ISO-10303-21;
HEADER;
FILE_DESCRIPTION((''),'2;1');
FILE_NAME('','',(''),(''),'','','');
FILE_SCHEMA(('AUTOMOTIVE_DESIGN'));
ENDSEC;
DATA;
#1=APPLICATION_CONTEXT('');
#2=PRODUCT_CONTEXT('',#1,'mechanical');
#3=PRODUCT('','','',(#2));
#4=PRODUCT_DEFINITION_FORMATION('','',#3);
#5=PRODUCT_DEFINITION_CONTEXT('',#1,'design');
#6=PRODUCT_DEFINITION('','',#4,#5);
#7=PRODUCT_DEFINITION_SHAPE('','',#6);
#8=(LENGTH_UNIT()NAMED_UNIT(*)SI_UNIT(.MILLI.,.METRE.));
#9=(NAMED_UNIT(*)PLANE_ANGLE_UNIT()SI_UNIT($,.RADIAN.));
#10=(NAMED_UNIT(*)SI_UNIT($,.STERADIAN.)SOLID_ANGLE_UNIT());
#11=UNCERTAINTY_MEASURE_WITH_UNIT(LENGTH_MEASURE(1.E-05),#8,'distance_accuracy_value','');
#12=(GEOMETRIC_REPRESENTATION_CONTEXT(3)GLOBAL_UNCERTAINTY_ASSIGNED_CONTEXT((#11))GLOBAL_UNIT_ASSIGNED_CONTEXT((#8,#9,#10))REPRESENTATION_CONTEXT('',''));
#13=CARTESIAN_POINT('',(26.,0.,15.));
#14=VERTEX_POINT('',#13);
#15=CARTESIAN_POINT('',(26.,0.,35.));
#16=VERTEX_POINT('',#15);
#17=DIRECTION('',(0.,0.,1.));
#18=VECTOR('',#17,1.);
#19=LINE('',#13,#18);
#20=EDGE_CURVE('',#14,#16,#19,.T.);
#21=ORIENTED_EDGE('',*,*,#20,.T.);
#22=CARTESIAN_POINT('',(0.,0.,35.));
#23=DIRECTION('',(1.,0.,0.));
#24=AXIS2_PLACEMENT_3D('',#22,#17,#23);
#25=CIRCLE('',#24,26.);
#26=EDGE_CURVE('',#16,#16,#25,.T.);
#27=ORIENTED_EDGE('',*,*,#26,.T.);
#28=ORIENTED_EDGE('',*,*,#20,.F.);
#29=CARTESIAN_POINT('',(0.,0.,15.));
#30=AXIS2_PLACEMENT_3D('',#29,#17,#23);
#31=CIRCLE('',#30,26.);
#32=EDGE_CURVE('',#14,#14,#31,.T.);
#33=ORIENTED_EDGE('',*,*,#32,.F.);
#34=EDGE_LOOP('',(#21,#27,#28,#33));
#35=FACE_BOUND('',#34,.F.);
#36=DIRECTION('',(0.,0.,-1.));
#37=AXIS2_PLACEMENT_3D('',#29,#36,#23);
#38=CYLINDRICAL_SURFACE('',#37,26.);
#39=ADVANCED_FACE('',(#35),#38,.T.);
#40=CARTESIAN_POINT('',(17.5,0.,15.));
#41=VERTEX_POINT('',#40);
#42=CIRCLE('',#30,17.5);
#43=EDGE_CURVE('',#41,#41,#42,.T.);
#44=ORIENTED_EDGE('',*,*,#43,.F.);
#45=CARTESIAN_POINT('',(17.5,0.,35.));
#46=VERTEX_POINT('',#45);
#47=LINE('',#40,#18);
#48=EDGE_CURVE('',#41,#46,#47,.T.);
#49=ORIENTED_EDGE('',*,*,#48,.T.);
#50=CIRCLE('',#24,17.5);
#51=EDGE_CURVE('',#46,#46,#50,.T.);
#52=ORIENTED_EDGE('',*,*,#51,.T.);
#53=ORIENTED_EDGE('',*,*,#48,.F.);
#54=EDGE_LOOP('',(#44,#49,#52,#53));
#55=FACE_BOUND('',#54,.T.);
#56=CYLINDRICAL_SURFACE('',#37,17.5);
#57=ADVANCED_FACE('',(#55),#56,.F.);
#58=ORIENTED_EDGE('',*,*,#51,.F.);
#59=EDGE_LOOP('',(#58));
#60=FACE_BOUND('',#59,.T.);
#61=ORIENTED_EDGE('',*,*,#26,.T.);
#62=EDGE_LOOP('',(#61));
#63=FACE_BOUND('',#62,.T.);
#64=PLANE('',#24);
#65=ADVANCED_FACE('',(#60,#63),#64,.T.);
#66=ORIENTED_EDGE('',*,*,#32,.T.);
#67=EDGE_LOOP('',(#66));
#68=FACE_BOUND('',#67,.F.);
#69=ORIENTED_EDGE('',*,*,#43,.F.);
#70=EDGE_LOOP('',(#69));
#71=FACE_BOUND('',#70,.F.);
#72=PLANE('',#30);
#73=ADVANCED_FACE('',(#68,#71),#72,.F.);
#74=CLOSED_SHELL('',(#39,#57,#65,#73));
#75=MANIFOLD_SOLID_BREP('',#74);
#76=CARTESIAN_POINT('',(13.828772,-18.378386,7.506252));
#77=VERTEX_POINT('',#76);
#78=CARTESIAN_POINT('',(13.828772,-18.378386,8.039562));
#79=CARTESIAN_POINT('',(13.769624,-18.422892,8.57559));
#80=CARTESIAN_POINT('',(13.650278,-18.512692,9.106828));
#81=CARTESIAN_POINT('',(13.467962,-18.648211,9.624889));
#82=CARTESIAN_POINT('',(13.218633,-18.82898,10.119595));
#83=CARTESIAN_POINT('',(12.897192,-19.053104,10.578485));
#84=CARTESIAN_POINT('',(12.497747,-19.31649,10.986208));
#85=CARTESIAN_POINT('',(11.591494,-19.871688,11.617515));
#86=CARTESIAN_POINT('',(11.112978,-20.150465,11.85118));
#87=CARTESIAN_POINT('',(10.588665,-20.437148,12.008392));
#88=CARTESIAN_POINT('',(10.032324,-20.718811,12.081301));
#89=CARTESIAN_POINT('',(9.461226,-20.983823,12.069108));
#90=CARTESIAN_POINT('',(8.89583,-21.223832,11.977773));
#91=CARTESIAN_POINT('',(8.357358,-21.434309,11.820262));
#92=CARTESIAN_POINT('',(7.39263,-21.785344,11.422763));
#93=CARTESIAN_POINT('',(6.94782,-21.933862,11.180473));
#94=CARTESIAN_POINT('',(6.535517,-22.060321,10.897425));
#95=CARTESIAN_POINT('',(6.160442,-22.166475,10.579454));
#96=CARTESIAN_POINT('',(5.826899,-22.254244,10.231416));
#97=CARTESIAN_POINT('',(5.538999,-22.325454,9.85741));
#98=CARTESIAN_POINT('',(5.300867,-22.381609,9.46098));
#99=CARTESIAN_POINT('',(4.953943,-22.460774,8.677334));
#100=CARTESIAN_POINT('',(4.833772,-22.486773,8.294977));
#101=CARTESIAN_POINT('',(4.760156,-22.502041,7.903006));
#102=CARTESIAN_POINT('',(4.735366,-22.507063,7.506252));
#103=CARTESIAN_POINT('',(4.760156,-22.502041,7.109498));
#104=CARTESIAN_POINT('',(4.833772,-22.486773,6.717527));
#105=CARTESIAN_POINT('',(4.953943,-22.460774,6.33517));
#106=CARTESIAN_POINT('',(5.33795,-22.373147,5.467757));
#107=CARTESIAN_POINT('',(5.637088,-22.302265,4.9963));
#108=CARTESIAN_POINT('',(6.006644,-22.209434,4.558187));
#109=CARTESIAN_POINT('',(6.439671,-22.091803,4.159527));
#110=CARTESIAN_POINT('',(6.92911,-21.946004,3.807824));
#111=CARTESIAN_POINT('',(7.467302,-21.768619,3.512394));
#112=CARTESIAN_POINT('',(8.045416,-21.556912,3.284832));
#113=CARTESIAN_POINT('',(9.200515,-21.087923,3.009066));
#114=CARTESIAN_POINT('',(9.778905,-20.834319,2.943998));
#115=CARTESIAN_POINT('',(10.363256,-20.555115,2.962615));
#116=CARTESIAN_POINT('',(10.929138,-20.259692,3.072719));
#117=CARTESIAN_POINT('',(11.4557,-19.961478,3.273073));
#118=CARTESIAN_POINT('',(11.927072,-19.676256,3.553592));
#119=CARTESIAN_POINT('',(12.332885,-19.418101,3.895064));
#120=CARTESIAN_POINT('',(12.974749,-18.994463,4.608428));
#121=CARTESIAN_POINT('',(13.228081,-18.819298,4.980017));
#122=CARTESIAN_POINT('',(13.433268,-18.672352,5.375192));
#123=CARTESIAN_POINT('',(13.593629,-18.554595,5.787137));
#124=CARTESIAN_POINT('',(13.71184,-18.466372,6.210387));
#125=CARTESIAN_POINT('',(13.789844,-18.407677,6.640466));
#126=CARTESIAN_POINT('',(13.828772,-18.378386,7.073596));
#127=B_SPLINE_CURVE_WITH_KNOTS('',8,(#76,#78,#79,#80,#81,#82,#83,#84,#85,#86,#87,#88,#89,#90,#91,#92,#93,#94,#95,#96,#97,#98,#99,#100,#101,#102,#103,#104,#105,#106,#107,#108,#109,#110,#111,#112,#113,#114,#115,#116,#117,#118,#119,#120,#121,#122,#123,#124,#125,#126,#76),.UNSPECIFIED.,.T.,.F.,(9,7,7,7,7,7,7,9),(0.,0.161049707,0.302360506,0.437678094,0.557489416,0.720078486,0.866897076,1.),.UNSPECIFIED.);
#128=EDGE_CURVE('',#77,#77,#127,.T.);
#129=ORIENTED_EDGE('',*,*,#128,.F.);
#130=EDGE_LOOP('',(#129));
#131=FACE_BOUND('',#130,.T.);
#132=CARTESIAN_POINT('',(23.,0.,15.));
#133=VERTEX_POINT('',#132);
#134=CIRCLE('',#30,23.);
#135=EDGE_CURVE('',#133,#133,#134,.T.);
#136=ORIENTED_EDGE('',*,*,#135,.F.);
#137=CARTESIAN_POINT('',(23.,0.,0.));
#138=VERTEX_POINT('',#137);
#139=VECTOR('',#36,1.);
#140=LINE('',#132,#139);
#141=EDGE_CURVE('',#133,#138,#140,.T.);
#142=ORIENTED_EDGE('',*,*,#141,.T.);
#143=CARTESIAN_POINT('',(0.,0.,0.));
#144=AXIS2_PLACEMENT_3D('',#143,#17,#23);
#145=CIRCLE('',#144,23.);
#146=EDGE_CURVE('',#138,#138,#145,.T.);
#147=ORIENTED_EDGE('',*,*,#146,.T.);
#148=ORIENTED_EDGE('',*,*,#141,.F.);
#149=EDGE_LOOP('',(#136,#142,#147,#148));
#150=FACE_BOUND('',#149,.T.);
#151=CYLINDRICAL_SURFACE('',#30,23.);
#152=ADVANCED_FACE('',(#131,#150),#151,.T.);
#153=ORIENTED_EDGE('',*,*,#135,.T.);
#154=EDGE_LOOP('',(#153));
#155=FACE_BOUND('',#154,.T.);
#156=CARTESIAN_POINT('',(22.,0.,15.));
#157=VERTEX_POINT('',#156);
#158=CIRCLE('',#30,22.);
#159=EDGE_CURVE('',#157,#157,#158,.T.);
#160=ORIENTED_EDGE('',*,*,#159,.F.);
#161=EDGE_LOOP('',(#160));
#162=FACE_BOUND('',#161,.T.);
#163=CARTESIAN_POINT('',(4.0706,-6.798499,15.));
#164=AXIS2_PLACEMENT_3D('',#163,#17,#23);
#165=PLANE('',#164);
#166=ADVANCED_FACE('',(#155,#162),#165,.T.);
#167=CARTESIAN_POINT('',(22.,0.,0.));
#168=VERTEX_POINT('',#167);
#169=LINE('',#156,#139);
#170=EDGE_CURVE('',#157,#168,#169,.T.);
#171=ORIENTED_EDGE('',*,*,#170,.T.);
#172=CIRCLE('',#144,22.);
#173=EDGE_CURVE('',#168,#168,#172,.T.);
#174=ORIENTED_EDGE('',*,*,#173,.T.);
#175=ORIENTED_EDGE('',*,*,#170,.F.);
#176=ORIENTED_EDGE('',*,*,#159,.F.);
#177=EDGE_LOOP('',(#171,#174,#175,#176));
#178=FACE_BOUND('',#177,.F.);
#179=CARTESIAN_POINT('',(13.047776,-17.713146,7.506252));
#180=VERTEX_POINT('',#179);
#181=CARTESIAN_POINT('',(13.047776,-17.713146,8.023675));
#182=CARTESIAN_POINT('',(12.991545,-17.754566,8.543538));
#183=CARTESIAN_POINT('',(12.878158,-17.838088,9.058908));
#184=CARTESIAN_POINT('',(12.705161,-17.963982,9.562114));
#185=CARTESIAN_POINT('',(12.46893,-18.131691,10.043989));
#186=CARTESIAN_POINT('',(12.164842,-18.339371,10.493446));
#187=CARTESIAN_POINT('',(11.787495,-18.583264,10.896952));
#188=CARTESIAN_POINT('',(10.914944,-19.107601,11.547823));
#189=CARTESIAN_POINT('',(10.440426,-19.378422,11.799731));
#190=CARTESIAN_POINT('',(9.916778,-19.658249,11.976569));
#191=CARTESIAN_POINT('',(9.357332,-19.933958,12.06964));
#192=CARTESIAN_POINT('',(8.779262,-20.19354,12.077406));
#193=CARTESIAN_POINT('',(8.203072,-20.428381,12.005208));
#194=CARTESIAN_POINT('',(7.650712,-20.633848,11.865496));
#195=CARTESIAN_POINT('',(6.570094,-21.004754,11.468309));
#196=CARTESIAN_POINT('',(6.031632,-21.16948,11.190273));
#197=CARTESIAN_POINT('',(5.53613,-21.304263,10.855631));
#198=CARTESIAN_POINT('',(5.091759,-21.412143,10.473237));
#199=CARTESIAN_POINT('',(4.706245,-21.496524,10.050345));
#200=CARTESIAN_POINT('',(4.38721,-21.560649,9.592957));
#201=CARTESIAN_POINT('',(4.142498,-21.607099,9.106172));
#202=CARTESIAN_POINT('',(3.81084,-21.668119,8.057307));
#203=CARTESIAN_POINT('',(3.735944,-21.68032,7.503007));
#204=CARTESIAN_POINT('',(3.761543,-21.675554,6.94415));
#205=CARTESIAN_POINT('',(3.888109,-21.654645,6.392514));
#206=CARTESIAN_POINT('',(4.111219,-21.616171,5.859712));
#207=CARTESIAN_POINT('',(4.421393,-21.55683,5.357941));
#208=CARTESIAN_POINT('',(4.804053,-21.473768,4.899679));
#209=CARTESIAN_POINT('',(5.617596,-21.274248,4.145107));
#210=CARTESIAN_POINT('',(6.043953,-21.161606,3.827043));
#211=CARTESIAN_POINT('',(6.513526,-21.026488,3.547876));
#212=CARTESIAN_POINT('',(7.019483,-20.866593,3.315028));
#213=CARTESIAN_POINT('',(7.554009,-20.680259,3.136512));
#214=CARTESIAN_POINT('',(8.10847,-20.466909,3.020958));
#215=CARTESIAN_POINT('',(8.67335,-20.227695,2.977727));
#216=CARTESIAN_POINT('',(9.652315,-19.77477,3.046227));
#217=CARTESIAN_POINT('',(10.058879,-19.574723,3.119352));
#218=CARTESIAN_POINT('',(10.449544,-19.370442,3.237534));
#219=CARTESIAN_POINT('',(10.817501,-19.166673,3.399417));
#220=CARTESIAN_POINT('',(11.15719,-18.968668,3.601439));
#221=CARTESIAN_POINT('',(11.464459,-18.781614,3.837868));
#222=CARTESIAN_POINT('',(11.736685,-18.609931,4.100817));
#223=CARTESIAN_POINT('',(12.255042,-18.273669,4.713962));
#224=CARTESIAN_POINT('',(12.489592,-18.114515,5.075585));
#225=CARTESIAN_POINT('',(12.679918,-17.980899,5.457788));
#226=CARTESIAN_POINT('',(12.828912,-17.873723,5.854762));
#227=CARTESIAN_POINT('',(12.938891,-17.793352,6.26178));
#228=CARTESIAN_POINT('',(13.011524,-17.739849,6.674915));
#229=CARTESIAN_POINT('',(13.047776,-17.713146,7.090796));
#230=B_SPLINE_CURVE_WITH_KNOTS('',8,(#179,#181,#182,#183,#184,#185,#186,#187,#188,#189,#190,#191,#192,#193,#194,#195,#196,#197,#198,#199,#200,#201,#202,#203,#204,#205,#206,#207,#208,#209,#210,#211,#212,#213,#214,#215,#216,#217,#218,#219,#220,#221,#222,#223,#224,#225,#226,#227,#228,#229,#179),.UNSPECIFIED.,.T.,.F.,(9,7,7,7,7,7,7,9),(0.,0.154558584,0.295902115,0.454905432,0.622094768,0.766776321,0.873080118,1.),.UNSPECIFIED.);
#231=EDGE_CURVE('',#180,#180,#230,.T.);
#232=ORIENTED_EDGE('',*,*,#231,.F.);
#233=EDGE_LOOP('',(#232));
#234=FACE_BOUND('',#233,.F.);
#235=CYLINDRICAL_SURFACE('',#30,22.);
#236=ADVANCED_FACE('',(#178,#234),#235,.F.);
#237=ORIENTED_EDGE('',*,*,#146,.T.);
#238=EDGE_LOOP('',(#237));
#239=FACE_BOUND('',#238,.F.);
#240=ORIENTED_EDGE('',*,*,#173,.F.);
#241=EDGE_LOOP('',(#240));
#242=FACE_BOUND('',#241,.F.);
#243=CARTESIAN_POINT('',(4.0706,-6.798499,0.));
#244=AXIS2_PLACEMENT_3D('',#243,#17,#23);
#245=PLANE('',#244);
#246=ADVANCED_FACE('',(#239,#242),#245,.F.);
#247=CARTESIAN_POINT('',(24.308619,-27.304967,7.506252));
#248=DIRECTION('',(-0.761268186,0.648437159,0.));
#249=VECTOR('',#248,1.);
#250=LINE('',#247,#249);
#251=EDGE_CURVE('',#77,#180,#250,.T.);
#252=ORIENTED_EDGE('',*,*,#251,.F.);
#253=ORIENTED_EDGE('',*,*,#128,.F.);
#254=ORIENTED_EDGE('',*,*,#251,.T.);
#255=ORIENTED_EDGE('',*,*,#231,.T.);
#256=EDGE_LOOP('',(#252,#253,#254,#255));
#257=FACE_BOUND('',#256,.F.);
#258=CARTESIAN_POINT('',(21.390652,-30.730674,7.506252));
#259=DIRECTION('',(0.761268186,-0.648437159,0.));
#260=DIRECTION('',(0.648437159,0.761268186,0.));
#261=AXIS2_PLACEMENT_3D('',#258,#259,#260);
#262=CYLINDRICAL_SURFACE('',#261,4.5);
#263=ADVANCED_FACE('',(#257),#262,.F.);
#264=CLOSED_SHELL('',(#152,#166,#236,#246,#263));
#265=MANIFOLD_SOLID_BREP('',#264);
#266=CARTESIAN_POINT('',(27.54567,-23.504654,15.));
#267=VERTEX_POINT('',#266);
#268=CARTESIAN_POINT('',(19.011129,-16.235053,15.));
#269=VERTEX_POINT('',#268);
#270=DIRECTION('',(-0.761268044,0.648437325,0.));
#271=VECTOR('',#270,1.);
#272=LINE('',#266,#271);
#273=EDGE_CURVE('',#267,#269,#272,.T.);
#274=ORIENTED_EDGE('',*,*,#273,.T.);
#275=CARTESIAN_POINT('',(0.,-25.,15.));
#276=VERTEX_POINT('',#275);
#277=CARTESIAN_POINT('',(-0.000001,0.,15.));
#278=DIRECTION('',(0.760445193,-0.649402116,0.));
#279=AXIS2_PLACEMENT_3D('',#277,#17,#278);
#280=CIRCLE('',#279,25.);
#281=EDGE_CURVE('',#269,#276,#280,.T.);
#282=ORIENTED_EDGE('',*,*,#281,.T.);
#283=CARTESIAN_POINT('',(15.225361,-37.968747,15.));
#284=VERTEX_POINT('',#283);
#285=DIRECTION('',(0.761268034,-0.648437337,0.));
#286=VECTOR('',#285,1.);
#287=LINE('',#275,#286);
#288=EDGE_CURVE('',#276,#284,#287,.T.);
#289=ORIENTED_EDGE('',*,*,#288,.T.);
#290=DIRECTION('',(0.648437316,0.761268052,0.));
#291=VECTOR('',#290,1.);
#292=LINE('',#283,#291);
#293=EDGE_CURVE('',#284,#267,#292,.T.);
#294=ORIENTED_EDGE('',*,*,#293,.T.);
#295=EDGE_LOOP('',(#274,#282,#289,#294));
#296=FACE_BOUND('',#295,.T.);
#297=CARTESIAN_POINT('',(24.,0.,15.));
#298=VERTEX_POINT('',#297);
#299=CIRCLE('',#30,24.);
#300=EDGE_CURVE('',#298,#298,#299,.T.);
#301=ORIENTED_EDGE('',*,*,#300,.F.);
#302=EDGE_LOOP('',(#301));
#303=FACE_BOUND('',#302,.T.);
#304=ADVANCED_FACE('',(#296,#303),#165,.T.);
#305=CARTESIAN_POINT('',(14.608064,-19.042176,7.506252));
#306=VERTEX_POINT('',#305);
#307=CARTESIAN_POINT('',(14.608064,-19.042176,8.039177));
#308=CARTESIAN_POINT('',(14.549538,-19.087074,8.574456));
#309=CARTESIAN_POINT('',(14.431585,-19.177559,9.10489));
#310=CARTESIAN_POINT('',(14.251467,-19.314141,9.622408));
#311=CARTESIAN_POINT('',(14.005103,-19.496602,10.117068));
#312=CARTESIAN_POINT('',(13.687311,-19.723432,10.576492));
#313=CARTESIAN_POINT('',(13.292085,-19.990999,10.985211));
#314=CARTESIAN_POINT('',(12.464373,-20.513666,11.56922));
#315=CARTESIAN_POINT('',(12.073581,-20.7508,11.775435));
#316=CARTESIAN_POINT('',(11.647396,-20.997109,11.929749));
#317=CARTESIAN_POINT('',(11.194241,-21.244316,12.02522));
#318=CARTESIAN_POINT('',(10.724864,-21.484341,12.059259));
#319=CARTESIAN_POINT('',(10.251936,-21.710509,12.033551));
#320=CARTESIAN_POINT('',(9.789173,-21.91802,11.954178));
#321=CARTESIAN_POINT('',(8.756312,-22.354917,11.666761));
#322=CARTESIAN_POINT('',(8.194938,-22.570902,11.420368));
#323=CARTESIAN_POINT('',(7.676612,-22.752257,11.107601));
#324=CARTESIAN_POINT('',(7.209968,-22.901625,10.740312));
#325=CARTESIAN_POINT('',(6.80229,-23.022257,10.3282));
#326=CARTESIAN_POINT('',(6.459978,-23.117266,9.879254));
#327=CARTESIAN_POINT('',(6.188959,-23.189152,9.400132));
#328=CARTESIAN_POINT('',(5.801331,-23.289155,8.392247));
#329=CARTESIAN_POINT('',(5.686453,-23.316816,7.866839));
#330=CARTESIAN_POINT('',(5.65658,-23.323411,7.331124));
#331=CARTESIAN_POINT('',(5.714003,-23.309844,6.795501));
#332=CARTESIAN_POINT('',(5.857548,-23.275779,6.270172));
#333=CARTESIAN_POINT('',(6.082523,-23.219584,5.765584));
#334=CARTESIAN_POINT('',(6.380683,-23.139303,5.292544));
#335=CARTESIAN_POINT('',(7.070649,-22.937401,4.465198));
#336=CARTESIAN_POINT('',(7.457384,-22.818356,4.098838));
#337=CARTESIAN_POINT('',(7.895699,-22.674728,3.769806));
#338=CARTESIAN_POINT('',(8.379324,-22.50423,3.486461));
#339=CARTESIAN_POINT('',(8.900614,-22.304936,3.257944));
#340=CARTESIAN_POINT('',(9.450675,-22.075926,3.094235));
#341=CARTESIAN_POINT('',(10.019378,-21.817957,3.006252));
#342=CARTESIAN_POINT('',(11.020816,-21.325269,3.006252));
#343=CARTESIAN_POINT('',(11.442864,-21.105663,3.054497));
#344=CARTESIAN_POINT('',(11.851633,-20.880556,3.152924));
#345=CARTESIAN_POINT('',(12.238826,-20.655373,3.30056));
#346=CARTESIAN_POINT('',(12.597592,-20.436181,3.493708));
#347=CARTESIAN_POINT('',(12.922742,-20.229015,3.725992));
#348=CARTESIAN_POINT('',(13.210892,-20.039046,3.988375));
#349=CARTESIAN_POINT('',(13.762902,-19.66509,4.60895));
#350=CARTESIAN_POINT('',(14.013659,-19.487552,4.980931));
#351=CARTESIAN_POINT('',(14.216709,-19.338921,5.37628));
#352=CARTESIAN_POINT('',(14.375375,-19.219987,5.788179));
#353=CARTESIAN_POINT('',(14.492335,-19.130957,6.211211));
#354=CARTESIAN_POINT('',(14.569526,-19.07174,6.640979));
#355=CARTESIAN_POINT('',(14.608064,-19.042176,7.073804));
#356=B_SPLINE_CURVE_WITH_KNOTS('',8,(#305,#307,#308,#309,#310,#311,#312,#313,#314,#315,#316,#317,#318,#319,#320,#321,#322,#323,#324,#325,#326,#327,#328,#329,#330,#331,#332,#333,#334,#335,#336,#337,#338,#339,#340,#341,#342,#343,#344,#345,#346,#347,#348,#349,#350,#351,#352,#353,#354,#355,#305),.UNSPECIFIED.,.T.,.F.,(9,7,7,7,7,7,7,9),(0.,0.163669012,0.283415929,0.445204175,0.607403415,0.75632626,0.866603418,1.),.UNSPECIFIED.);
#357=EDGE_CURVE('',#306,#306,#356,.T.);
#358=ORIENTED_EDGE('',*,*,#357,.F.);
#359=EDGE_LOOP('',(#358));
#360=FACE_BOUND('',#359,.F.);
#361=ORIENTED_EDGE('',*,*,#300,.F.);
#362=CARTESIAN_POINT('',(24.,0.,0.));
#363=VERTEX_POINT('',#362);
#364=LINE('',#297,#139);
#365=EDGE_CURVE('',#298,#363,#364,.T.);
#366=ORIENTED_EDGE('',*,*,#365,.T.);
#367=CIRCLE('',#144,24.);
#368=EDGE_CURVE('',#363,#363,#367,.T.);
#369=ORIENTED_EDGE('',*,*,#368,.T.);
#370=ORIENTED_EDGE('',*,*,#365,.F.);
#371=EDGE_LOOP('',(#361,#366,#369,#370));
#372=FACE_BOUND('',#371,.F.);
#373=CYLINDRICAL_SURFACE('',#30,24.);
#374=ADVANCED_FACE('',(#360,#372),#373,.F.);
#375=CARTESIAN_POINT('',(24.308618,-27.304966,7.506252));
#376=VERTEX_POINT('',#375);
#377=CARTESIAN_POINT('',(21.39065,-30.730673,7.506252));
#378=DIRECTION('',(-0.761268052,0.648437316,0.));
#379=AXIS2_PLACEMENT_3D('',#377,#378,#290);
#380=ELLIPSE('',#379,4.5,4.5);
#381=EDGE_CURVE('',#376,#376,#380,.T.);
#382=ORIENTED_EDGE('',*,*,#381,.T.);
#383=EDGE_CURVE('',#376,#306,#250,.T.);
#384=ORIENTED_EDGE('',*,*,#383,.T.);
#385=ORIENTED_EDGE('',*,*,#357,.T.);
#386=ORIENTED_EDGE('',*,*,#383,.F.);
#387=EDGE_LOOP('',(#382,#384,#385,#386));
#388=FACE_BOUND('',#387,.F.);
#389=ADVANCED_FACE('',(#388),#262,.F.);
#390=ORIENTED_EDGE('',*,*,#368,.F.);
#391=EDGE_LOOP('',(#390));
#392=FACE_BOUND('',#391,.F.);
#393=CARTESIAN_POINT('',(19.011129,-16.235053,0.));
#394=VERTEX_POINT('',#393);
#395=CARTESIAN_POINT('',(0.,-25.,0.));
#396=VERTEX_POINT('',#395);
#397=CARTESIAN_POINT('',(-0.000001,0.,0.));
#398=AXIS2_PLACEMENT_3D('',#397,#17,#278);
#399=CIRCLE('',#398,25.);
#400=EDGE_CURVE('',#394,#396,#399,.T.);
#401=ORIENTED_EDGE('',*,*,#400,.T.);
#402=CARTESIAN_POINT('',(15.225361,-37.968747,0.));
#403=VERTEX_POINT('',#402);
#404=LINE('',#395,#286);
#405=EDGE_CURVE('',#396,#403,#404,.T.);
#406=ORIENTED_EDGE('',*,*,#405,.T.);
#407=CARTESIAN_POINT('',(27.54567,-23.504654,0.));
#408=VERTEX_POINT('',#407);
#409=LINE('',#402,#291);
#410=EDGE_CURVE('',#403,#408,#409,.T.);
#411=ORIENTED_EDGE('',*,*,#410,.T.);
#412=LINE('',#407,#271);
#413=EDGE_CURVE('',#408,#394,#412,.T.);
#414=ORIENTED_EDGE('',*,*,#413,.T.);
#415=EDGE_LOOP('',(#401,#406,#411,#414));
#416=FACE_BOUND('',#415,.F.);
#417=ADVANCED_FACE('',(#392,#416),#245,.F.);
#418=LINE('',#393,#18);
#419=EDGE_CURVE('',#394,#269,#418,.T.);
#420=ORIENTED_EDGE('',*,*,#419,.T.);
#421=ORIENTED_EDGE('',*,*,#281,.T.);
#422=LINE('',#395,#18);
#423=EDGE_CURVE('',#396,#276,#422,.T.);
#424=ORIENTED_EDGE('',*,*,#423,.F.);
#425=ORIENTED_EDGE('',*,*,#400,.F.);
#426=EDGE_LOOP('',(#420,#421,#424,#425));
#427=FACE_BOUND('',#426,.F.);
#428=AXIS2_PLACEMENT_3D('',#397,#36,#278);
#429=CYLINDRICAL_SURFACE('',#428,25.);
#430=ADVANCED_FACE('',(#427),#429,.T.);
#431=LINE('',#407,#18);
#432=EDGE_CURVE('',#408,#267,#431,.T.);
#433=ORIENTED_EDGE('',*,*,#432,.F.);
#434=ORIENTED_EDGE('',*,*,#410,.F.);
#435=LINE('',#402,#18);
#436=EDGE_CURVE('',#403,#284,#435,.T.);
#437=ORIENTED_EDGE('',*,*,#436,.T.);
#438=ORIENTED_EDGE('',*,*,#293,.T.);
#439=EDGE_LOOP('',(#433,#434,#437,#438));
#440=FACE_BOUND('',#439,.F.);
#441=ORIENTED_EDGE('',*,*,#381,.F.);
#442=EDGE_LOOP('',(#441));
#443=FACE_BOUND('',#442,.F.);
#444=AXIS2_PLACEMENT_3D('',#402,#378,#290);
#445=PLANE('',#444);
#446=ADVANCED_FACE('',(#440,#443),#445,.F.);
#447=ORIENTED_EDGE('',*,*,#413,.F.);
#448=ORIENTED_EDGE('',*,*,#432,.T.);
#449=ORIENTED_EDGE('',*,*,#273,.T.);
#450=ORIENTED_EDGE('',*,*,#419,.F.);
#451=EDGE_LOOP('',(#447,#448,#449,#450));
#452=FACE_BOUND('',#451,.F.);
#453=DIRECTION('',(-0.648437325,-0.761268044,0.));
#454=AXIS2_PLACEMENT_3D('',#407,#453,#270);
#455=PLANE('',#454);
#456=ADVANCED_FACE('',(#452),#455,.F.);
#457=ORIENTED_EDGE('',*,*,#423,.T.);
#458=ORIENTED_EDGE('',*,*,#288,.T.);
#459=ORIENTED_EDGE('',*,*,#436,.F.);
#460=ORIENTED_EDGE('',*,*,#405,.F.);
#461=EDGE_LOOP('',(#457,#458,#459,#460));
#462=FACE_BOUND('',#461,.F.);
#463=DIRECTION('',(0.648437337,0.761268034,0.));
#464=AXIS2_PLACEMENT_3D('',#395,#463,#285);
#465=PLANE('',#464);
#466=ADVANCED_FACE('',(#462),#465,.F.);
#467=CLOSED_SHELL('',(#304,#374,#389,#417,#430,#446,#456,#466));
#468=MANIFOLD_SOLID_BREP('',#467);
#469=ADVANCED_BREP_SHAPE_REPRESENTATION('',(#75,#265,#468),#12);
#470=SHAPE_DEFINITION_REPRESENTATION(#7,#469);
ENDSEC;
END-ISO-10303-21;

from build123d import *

# Parameters (mm, degrees)
F1_DEPTH  = 15
F2_R      = 4.5
F3_DEPTH  = 20
F4_R      = 22
F5_DEPTH  = 15
F6_R      = 24
F6_R_2    = 23
F7_DEPTH  = 15
F9_R      = 26
F9_R_2    = 17.5
F10_DEPTH = 20


with BuildPart() as f1:
    # F0 (on Top) → F1 (new body)
    with BuildSketch(Plane.XY):
        with BuildLine():
            Line((27.54567, -23.504654), (19.011129, -16.235053))
            ThreePointArc((19.011129, -16.235053), (-10.467179, 22.703263), (0, -25))
            Line((0, -25), (15.225361, -37.968747))
            Line((15.225361, -37.968747), (27.54567, -23.504654))
        make_face()
    extrude(amount=F1_DEPTH)

    # F2 (on face) → F3 (cut)
    with BuildSketch(Plane(origin=(27.566226, -23.480522, 0), x_dir=(0.648437, 0.761268, 0), z_dir=(0.761268, -0.648437, 0))):
        with Locations((-9.523782, 7.506252)):
            Circle(F2_R)
    extrude(amount=-F3_DEPTH, mode=Mode.SUBTRACT)

    # F4 (on face) → F5 (cut)
    with BuildSketch(Plane.XY.offset(15)):
        Circle(F4_R)
    extrude(amount=-F5_DEPTH, mode=Mode.SUBTRACT)

    # F6 (on face) → F7 (cut)
    with BuildSketch(Plane.XY.offset(15)):
        Circle(F6_R)
        Circle(F6_R_2, mode=Mode.SUBTRACT)
    extrude(amount=-F7_DEPTH, mode=Mode.SUBTRACT)


with BuildPart() as f10:
    # F9 (on offset) → F10 (new body)
    with BuildSketch(Plane.XY.offset(15)):
        Circle(F9_R)
        Circle(F9_R_2, mode=Mode.SUBTRACT)
    extrude(amount=F10_DEPTH)


solid = Compound([f1.part, f10.part])
